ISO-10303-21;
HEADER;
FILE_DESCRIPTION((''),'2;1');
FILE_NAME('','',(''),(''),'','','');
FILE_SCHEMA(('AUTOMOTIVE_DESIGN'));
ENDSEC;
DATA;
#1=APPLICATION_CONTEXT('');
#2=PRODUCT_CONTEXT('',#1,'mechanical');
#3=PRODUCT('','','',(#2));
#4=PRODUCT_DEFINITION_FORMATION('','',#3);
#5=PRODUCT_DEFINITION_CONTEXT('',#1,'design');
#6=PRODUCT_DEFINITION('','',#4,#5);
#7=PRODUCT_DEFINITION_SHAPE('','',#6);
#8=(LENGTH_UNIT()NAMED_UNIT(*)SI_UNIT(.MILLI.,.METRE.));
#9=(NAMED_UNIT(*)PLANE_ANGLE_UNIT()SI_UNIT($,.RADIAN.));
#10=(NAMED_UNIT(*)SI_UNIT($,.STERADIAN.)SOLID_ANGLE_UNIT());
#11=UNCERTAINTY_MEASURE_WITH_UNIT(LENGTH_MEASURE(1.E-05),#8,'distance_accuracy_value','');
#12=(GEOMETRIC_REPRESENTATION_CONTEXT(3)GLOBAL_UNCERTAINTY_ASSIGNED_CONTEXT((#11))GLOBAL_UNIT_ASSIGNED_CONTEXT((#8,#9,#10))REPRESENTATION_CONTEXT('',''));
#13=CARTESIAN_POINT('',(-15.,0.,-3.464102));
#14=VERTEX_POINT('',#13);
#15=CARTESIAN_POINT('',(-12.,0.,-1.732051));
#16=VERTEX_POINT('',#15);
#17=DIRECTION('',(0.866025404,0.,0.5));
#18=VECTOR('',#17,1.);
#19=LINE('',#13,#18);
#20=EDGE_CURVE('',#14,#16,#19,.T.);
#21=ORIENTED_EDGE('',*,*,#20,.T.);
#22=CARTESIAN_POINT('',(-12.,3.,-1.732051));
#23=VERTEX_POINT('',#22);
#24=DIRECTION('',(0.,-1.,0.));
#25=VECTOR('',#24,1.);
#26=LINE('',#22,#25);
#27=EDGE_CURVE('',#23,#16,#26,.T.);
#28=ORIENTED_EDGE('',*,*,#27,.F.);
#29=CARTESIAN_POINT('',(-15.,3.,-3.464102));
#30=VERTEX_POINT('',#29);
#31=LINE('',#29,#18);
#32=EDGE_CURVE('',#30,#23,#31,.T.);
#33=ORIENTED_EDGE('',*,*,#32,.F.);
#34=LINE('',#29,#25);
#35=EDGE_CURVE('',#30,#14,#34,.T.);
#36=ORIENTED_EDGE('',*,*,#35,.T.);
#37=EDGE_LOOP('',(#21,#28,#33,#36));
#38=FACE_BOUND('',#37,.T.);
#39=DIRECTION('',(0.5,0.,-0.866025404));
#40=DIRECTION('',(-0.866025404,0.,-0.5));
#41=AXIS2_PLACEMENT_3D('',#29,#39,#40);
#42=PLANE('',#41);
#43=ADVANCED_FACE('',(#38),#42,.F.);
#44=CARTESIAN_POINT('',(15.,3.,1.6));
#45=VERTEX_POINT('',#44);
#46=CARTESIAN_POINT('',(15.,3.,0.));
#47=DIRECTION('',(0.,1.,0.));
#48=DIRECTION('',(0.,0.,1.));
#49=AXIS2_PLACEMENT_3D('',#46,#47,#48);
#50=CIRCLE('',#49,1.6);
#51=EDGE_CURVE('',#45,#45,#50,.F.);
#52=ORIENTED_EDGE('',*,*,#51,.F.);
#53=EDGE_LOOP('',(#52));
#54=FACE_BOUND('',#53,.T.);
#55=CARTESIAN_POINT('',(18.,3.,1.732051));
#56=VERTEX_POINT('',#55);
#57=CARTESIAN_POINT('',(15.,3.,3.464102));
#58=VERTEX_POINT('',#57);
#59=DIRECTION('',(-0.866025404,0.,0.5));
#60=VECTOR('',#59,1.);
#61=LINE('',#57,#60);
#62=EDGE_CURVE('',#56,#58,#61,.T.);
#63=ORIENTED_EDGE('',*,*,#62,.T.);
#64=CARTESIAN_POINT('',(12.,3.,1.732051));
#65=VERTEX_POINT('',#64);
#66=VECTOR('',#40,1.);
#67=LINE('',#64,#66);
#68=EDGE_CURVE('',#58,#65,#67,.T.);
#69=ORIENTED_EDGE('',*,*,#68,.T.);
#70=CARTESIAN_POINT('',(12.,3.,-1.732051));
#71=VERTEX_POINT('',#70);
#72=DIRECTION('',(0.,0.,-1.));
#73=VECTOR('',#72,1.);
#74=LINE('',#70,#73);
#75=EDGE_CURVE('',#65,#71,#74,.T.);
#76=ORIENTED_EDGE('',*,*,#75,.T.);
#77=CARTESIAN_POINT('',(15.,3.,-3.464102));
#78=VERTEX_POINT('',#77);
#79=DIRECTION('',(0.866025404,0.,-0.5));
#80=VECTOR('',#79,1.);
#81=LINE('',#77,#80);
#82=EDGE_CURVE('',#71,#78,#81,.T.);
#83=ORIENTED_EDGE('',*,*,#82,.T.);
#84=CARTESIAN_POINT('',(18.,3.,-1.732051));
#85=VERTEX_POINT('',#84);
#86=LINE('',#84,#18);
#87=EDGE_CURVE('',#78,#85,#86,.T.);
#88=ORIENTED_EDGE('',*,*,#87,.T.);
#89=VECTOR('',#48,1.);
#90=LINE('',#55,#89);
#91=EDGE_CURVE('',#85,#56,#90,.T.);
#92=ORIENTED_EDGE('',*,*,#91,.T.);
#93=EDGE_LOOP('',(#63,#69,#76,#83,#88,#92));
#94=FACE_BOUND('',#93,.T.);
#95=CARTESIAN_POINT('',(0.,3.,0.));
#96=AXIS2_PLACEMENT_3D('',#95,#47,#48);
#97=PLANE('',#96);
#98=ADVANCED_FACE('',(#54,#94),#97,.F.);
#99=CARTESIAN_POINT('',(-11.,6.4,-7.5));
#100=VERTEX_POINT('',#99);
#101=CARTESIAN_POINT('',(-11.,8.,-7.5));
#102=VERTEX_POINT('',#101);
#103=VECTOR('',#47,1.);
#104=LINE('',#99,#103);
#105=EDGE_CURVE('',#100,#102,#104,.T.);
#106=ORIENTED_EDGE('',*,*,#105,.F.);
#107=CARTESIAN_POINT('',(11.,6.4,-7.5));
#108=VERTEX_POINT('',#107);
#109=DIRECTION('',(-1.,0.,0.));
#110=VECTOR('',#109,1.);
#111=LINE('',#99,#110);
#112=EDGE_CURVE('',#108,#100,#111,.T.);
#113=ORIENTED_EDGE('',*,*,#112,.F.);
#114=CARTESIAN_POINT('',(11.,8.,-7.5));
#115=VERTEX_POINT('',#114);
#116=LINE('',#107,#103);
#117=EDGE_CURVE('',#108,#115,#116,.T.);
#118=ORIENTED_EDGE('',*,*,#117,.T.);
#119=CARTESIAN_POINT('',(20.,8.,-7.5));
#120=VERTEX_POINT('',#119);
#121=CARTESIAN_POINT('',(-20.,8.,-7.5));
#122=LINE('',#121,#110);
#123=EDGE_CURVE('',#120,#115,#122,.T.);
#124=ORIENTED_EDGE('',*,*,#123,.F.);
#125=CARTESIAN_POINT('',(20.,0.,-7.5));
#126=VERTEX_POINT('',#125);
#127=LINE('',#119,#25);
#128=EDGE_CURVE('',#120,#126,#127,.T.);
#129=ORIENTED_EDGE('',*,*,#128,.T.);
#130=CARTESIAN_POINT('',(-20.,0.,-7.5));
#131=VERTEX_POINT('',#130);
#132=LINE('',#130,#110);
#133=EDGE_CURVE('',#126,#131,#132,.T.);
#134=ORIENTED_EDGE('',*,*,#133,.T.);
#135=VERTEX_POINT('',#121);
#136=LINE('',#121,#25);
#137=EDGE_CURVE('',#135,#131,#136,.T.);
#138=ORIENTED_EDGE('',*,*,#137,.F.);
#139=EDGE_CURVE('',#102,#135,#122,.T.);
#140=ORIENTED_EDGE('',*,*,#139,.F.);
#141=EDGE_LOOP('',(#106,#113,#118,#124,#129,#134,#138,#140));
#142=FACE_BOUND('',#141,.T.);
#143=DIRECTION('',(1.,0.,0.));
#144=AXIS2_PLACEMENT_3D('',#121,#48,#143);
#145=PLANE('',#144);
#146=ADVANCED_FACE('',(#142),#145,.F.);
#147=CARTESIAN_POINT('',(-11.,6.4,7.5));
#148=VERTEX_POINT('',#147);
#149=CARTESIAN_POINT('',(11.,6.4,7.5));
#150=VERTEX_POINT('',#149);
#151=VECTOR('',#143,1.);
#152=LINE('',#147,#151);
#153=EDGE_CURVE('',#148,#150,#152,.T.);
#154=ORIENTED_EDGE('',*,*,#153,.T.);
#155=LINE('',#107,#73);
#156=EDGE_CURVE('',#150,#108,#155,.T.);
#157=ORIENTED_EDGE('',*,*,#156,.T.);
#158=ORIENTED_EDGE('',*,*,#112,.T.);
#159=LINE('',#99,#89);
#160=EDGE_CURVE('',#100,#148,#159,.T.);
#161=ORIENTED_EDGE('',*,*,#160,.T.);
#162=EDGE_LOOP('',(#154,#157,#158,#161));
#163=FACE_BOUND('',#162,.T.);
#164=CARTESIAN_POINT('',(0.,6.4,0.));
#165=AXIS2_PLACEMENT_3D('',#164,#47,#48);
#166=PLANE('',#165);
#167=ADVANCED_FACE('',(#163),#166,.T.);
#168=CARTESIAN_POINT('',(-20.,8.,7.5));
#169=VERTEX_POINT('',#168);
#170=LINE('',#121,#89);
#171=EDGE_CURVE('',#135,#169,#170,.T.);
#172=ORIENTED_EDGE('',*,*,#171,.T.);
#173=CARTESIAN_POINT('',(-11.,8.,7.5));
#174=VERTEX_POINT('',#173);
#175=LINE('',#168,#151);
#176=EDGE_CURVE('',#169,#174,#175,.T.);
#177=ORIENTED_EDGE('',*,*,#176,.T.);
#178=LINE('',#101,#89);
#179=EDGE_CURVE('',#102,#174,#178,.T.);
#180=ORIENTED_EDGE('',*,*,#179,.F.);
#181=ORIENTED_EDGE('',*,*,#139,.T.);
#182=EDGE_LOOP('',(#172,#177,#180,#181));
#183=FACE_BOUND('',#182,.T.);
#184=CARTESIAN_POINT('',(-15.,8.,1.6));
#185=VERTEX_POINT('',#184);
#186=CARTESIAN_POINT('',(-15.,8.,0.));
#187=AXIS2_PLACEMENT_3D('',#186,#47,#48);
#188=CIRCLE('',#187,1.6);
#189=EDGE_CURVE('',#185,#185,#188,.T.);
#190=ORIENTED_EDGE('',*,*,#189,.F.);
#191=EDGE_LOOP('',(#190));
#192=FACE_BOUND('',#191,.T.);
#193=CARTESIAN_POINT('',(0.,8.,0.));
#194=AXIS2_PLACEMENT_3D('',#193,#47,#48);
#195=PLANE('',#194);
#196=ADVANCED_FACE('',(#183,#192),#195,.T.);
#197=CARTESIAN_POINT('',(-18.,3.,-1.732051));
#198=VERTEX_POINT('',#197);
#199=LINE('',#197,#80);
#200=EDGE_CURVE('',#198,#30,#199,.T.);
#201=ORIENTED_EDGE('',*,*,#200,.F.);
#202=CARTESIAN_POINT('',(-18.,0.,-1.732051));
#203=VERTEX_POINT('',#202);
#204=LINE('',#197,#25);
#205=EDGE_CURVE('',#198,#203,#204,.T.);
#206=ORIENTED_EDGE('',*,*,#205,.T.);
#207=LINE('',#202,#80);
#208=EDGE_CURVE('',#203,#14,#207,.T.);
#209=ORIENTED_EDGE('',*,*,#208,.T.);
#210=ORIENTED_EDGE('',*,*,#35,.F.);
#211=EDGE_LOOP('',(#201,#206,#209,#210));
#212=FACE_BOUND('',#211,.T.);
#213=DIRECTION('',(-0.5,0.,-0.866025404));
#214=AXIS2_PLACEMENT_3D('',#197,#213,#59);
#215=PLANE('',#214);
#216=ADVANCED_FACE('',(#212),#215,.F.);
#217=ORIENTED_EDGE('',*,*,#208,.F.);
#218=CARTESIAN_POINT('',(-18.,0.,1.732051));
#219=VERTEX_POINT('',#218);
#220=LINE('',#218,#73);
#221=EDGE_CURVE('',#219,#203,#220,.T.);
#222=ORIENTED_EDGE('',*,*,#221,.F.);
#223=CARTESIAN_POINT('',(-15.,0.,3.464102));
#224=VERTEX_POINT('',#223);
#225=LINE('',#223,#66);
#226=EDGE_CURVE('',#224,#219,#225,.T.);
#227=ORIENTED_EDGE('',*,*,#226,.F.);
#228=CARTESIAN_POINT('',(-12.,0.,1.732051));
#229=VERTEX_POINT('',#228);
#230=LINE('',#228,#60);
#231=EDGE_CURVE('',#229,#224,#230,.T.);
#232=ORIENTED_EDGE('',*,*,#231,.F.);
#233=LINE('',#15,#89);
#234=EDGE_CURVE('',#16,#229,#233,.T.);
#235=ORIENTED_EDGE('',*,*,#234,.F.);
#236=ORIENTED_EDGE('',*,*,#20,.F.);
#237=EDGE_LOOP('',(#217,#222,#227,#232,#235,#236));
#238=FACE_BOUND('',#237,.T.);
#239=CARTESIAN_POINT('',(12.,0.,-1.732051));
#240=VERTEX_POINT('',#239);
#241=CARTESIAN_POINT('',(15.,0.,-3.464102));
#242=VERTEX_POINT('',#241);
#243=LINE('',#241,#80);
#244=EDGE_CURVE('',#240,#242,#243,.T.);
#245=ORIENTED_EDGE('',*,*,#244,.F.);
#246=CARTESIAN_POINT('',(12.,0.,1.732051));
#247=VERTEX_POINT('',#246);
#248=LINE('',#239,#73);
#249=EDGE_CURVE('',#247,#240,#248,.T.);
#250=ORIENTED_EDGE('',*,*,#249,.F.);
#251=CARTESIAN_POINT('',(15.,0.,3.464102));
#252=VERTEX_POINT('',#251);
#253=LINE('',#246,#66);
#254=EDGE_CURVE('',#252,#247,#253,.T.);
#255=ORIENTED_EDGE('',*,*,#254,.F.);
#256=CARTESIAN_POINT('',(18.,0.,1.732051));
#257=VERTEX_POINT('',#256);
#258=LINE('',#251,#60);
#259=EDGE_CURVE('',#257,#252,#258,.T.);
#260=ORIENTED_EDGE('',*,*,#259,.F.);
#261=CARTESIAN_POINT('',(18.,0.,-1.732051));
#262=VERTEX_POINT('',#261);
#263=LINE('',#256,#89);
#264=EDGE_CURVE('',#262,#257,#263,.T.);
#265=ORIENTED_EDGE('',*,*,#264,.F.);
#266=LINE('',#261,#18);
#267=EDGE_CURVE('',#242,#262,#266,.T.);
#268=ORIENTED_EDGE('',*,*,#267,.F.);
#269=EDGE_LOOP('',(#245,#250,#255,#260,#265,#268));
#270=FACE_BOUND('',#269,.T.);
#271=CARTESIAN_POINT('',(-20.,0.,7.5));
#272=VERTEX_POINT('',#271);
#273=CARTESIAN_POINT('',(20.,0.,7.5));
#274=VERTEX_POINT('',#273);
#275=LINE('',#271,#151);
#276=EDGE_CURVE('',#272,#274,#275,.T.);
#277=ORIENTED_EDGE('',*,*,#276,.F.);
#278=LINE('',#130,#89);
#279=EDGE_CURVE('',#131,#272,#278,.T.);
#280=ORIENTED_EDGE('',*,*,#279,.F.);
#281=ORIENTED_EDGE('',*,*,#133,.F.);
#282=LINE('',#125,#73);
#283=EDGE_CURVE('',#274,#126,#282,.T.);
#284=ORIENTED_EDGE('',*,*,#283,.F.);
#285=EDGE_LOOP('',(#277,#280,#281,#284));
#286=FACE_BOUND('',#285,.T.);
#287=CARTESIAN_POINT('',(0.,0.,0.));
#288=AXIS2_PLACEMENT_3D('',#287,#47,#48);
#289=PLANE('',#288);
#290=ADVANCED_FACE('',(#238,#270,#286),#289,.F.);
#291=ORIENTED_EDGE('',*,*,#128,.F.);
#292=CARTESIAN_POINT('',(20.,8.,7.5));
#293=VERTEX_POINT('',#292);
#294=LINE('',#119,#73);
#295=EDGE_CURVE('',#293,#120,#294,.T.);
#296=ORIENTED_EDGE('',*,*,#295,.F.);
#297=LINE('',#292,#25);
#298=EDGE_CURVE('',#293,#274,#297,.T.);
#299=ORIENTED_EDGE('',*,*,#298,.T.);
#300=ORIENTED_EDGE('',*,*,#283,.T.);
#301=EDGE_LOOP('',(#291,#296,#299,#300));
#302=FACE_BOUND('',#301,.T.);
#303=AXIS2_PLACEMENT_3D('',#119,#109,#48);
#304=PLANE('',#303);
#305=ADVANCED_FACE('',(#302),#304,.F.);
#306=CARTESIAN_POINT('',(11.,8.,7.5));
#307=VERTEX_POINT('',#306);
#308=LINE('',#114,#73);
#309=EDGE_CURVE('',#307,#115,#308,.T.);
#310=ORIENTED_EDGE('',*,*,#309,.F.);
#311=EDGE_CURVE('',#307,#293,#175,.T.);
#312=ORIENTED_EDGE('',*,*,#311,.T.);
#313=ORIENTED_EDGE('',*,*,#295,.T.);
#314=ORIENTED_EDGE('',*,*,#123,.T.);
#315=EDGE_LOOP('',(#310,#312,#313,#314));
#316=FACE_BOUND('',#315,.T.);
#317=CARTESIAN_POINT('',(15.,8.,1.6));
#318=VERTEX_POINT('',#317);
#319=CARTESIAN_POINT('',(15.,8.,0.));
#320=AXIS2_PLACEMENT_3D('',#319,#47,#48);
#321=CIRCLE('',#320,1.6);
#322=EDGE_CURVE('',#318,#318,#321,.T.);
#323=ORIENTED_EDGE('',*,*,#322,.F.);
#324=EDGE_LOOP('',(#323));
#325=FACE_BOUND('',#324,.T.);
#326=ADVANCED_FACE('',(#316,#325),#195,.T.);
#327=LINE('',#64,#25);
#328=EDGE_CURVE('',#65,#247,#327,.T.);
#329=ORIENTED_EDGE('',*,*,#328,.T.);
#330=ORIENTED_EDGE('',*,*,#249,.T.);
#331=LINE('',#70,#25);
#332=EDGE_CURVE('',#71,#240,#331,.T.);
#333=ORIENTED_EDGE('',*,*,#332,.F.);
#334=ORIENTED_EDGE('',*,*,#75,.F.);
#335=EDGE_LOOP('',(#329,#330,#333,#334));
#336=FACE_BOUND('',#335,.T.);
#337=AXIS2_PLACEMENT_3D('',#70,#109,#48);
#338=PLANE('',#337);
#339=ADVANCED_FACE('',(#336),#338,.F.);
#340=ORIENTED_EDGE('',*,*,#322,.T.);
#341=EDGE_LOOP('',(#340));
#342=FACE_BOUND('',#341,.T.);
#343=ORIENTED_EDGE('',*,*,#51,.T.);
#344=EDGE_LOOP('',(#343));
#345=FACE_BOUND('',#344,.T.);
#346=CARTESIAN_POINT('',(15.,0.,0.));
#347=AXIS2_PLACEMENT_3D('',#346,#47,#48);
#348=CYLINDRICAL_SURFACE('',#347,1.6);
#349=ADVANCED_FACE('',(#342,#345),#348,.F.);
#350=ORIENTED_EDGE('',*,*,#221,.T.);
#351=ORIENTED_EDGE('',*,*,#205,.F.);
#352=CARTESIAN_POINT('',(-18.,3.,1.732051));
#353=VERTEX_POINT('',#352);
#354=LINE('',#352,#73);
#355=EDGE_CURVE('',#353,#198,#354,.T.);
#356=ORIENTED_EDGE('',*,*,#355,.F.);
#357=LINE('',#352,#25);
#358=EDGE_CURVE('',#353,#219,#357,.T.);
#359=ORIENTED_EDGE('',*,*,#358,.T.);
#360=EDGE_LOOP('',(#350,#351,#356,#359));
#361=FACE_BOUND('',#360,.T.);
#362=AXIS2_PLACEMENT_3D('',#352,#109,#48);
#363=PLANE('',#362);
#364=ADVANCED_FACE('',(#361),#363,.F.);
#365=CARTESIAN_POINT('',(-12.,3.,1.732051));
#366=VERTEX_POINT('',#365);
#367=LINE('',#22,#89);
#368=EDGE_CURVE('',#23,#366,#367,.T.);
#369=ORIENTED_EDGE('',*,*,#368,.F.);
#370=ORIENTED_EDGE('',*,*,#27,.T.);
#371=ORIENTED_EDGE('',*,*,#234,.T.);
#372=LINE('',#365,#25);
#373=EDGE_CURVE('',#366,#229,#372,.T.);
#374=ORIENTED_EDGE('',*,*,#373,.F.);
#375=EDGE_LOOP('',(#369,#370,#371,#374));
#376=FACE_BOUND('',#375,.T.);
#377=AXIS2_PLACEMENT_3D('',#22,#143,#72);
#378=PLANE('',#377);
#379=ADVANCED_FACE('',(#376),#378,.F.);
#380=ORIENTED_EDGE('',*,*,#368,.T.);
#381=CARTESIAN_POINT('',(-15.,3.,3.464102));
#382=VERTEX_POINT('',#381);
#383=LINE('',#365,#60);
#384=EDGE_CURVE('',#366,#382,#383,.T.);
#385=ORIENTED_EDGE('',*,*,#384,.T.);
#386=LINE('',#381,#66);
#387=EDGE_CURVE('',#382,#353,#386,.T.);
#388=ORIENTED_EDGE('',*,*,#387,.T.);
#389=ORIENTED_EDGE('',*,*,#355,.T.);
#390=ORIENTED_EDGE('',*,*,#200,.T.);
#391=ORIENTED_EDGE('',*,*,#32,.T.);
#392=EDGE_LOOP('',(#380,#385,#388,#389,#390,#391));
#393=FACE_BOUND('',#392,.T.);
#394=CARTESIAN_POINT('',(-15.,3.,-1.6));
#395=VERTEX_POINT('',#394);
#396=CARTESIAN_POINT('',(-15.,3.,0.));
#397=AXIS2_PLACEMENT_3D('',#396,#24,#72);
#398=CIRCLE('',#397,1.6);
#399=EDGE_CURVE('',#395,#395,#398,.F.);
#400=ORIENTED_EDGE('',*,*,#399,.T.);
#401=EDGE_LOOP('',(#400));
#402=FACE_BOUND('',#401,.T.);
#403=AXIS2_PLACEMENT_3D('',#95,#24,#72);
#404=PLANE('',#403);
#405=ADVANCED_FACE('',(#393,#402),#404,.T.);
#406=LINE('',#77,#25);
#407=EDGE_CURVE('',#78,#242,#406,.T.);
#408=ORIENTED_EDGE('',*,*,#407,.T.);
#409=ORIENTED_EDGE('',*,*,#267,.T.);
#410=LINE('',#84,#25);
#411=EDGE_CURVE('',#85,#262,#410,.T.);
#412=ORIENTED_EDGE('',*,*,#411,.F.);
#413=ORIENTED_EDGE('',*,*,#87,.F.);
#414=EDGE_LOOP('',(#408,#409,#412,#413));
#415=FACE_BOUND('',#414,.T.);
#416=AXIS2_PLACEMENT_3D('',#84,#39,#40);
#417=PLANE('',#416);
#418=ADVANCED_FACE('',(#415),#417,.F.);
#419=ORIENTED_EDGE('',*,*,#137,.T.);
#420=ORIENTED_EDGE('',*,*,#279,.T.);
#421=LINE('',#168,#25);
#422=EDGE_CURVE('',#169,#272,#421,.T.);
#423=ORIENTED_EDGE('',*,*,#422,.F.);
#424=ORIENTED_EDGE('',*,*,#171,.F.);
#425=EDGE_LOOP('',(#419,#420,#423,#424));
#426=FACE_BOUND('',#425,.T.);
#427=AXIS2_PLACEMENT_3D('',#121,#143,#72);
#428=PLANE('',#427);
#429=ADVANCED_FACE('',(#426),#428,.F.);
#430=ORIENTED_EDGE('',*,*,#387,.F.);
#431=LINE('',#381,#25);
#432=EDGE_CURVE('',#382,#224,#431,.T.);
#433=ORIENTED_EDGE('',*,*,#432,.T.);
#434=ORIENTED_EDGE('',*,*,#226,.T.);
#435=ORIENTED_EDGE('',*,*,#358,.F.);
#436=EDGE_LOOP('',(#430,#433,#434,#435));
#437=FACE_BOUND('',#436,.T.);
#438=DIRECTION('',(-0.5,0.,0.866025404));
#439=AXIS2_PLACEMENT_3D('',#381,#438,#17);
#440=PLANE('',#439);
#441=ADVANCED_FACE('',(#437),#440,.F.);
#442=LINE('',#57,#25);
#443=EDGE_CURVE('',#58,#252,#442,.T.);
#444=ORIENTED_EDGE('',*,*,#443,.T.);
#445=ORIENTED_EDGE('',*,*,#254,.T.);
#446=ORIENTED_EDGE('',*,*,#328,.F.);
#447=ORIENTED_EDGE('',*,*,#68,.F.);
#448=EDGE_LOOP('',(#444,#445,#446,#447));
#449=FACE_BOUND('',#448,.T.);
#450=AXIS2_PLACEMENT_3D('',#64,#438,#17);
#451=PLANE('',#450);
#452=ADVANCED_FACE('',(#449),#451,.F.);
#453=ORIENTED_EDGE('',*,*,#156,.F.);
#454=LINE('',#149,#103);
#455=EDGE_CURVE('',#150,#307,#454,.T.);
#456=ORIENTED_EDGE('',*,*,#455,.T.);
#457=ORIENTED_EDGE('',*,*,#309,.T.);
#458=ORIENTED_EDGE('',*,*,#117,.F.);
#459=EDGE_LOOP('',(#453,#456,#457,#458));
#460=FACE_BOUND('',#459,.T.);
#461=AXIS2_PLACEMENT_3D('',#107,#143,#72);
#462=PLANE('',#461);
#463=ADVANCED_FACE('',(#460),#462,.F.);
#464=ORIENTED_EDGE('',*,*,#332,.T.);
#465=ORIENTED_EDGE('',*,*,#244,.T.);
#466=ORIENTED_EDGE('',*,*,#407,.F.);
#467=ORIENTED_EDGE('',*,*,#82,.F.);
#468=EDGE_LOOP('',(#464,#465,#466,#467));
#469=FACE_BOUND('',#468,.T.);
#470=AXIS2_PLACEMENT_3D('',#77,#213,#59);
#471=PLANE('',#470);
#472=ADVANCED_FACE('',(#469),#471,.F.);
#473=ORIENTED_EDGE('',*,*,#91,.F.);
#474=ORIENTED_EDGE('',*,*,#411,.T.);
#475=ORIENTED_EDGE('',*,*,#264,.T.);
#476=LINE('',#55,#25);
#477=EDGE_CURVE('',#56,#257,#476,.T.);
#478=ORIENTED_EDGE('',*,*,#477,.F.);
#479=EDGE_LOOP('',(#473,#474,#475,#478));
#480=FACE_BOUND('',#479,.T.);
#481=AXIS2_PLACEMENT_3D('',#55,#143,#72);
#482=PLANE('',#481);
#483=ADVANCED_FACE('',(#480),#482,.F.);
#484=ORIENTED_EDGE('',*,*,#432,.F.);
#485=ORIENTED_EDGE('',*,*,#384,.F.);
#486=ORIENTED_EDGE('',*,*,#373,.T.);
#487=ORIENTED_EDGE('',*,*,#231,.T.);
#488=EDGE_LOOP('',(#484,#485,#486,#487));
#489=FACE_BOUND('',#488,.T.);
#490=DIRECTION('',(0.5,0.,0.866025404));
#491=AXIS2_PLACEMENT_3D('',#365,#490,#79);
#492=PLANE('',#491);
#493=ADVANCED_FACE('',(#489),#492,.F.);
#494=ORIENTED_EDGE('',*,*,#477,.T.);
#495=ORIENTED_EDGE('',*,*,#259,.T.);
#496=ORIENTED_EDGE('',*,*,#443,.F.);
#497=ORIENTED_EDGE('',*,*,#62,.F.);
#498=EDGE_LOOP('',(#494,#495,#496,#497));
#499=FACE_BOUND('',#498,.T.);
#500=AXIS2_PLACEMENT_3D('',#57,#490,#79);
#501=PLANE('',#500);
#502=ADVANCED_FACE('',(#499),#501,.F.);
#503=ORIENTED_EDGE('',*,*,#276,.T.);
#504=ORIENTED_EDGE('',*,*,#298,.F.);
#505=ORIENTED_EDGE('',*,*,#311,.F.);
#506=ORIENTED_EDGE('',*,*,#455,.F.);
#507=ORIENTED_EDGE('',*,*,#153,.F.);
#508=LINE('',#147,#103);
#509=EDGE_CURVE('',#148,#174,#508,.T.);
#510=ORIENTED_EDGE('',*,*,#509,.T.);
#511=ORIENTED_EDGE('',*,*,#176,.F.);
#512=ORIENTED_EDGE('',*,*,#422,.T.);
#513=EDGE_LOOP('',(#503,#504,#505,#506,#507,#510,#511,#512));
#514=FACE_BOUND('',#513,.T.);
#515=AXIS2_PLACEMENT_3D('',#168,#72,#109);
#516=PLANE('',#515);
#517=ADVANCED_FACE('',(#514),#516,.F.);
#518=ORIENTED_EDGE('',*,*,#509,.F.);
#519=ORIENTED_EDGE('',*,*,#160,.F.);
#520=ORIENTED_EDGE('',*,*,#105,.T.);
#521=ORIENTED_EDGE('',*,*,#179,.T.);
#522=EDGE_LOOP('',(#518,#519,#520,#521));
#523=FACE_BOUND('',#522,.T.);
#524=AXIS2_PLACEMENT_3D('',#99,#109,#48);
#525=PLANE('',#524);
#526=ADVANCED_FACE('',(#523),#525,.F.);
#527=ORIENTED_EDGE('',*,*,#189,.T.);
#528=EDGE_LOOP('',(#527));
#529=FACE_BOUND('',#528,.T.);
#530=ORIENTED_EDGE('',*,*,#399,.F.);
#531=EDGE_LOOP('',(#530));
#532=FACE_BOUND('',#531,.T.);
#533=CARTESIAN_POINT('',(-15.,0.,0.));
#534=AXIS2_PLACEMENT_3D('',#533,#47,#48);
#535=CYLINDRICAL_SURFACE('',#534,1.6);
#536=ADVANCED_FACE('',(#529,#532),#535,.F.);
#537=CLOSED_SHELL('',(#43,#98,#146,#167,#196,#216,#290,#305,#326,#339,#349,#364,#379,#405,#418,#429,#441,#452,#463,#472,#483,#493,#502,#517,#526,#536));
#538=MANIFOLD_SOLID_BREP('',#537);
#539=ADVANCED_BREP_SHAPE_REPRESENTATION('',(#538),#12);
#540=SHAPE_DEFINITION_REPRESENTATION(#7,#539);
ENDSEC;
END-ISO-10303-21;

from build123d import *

# Parameters (mm, degrees)
SKETCH1_W           = 40
SKETCH1_H           = 15
BOSS_EXTRUDE1_DEPTH = 8
SKETCH2_R           = 1.6
CUT_EXTRUDE1_DEPTH  = 23.808989456
SKETCH3_W           = 22
SKETCH3_H           = 15
CUT_EXTRUDE2_DEPTH  = 1.6
CUT_EXTRUDE3_DEPTH  = 3


with BuildPart() as part:
    # Sketch1 → Boss-Extrude1 (new body)
    with BuildSketch(Plane(origin=(0, 0, 0), x_dir=(1, 0, 0), z_dir=(0, 1, 0))):
        Rectangle(SKETCH1_W, SKETCH1_H)
    extrude(amount=BOSS_EXTRUDE1_DEPTH)

    # Sketch2 → Cut-Extrude1 (cut, through all)
    with BuildSketch(Plane(origin=(0, 8, 0), x_dir=(1, 0, 0), z_dir=(0, 1, 0))):
        with Locations(Location((-15, 0, 0), (0, 0, 270))):
            Circle(SKETCH2_R)
        with Locations(Location((15, 0, 0), (0, 0, 270))):
            Circle(SKETCH2_R)
    extrude(amount=-CUT_EXTRUDE1_DEPTH, mode=Mode.SUBTRACT)

    # Sketch3 → Cut-Extrude2 (cut)
    with BuildSketch(Plane(origin=(0, 8, 0), x_dir=(1, 0, 0), z_dir=(0, 1, 0))):
        Rectangle(SKETCH3_W, SKETCH3_H)
    extrude(amount=-CUT_EXTRUDE2_DEPTH, mode=Mode.SUBTRACT)

    # Sketch4 → Cut-Extrude3 (cut)
    with BuildSketch(Plane.XZ):
        Polygon((-12, 1.732050808), (-15, 3.464101615), (-18, 1.732050808), (-18, -1.732050808), (-15, -3.464101615), (-12, -1.732050808), align=None)
        Polygon((12, -1.732050808), (12, 1.732050808), (15, 3.464101615), (18, 1.732050808), (18, -1.732050808), (15, -3.464101615), align=None)
    extrude(amount=-CUT_EXTRUDE3_DEPTH, mode=Mode.SUBTRACT)


solid = part.part
